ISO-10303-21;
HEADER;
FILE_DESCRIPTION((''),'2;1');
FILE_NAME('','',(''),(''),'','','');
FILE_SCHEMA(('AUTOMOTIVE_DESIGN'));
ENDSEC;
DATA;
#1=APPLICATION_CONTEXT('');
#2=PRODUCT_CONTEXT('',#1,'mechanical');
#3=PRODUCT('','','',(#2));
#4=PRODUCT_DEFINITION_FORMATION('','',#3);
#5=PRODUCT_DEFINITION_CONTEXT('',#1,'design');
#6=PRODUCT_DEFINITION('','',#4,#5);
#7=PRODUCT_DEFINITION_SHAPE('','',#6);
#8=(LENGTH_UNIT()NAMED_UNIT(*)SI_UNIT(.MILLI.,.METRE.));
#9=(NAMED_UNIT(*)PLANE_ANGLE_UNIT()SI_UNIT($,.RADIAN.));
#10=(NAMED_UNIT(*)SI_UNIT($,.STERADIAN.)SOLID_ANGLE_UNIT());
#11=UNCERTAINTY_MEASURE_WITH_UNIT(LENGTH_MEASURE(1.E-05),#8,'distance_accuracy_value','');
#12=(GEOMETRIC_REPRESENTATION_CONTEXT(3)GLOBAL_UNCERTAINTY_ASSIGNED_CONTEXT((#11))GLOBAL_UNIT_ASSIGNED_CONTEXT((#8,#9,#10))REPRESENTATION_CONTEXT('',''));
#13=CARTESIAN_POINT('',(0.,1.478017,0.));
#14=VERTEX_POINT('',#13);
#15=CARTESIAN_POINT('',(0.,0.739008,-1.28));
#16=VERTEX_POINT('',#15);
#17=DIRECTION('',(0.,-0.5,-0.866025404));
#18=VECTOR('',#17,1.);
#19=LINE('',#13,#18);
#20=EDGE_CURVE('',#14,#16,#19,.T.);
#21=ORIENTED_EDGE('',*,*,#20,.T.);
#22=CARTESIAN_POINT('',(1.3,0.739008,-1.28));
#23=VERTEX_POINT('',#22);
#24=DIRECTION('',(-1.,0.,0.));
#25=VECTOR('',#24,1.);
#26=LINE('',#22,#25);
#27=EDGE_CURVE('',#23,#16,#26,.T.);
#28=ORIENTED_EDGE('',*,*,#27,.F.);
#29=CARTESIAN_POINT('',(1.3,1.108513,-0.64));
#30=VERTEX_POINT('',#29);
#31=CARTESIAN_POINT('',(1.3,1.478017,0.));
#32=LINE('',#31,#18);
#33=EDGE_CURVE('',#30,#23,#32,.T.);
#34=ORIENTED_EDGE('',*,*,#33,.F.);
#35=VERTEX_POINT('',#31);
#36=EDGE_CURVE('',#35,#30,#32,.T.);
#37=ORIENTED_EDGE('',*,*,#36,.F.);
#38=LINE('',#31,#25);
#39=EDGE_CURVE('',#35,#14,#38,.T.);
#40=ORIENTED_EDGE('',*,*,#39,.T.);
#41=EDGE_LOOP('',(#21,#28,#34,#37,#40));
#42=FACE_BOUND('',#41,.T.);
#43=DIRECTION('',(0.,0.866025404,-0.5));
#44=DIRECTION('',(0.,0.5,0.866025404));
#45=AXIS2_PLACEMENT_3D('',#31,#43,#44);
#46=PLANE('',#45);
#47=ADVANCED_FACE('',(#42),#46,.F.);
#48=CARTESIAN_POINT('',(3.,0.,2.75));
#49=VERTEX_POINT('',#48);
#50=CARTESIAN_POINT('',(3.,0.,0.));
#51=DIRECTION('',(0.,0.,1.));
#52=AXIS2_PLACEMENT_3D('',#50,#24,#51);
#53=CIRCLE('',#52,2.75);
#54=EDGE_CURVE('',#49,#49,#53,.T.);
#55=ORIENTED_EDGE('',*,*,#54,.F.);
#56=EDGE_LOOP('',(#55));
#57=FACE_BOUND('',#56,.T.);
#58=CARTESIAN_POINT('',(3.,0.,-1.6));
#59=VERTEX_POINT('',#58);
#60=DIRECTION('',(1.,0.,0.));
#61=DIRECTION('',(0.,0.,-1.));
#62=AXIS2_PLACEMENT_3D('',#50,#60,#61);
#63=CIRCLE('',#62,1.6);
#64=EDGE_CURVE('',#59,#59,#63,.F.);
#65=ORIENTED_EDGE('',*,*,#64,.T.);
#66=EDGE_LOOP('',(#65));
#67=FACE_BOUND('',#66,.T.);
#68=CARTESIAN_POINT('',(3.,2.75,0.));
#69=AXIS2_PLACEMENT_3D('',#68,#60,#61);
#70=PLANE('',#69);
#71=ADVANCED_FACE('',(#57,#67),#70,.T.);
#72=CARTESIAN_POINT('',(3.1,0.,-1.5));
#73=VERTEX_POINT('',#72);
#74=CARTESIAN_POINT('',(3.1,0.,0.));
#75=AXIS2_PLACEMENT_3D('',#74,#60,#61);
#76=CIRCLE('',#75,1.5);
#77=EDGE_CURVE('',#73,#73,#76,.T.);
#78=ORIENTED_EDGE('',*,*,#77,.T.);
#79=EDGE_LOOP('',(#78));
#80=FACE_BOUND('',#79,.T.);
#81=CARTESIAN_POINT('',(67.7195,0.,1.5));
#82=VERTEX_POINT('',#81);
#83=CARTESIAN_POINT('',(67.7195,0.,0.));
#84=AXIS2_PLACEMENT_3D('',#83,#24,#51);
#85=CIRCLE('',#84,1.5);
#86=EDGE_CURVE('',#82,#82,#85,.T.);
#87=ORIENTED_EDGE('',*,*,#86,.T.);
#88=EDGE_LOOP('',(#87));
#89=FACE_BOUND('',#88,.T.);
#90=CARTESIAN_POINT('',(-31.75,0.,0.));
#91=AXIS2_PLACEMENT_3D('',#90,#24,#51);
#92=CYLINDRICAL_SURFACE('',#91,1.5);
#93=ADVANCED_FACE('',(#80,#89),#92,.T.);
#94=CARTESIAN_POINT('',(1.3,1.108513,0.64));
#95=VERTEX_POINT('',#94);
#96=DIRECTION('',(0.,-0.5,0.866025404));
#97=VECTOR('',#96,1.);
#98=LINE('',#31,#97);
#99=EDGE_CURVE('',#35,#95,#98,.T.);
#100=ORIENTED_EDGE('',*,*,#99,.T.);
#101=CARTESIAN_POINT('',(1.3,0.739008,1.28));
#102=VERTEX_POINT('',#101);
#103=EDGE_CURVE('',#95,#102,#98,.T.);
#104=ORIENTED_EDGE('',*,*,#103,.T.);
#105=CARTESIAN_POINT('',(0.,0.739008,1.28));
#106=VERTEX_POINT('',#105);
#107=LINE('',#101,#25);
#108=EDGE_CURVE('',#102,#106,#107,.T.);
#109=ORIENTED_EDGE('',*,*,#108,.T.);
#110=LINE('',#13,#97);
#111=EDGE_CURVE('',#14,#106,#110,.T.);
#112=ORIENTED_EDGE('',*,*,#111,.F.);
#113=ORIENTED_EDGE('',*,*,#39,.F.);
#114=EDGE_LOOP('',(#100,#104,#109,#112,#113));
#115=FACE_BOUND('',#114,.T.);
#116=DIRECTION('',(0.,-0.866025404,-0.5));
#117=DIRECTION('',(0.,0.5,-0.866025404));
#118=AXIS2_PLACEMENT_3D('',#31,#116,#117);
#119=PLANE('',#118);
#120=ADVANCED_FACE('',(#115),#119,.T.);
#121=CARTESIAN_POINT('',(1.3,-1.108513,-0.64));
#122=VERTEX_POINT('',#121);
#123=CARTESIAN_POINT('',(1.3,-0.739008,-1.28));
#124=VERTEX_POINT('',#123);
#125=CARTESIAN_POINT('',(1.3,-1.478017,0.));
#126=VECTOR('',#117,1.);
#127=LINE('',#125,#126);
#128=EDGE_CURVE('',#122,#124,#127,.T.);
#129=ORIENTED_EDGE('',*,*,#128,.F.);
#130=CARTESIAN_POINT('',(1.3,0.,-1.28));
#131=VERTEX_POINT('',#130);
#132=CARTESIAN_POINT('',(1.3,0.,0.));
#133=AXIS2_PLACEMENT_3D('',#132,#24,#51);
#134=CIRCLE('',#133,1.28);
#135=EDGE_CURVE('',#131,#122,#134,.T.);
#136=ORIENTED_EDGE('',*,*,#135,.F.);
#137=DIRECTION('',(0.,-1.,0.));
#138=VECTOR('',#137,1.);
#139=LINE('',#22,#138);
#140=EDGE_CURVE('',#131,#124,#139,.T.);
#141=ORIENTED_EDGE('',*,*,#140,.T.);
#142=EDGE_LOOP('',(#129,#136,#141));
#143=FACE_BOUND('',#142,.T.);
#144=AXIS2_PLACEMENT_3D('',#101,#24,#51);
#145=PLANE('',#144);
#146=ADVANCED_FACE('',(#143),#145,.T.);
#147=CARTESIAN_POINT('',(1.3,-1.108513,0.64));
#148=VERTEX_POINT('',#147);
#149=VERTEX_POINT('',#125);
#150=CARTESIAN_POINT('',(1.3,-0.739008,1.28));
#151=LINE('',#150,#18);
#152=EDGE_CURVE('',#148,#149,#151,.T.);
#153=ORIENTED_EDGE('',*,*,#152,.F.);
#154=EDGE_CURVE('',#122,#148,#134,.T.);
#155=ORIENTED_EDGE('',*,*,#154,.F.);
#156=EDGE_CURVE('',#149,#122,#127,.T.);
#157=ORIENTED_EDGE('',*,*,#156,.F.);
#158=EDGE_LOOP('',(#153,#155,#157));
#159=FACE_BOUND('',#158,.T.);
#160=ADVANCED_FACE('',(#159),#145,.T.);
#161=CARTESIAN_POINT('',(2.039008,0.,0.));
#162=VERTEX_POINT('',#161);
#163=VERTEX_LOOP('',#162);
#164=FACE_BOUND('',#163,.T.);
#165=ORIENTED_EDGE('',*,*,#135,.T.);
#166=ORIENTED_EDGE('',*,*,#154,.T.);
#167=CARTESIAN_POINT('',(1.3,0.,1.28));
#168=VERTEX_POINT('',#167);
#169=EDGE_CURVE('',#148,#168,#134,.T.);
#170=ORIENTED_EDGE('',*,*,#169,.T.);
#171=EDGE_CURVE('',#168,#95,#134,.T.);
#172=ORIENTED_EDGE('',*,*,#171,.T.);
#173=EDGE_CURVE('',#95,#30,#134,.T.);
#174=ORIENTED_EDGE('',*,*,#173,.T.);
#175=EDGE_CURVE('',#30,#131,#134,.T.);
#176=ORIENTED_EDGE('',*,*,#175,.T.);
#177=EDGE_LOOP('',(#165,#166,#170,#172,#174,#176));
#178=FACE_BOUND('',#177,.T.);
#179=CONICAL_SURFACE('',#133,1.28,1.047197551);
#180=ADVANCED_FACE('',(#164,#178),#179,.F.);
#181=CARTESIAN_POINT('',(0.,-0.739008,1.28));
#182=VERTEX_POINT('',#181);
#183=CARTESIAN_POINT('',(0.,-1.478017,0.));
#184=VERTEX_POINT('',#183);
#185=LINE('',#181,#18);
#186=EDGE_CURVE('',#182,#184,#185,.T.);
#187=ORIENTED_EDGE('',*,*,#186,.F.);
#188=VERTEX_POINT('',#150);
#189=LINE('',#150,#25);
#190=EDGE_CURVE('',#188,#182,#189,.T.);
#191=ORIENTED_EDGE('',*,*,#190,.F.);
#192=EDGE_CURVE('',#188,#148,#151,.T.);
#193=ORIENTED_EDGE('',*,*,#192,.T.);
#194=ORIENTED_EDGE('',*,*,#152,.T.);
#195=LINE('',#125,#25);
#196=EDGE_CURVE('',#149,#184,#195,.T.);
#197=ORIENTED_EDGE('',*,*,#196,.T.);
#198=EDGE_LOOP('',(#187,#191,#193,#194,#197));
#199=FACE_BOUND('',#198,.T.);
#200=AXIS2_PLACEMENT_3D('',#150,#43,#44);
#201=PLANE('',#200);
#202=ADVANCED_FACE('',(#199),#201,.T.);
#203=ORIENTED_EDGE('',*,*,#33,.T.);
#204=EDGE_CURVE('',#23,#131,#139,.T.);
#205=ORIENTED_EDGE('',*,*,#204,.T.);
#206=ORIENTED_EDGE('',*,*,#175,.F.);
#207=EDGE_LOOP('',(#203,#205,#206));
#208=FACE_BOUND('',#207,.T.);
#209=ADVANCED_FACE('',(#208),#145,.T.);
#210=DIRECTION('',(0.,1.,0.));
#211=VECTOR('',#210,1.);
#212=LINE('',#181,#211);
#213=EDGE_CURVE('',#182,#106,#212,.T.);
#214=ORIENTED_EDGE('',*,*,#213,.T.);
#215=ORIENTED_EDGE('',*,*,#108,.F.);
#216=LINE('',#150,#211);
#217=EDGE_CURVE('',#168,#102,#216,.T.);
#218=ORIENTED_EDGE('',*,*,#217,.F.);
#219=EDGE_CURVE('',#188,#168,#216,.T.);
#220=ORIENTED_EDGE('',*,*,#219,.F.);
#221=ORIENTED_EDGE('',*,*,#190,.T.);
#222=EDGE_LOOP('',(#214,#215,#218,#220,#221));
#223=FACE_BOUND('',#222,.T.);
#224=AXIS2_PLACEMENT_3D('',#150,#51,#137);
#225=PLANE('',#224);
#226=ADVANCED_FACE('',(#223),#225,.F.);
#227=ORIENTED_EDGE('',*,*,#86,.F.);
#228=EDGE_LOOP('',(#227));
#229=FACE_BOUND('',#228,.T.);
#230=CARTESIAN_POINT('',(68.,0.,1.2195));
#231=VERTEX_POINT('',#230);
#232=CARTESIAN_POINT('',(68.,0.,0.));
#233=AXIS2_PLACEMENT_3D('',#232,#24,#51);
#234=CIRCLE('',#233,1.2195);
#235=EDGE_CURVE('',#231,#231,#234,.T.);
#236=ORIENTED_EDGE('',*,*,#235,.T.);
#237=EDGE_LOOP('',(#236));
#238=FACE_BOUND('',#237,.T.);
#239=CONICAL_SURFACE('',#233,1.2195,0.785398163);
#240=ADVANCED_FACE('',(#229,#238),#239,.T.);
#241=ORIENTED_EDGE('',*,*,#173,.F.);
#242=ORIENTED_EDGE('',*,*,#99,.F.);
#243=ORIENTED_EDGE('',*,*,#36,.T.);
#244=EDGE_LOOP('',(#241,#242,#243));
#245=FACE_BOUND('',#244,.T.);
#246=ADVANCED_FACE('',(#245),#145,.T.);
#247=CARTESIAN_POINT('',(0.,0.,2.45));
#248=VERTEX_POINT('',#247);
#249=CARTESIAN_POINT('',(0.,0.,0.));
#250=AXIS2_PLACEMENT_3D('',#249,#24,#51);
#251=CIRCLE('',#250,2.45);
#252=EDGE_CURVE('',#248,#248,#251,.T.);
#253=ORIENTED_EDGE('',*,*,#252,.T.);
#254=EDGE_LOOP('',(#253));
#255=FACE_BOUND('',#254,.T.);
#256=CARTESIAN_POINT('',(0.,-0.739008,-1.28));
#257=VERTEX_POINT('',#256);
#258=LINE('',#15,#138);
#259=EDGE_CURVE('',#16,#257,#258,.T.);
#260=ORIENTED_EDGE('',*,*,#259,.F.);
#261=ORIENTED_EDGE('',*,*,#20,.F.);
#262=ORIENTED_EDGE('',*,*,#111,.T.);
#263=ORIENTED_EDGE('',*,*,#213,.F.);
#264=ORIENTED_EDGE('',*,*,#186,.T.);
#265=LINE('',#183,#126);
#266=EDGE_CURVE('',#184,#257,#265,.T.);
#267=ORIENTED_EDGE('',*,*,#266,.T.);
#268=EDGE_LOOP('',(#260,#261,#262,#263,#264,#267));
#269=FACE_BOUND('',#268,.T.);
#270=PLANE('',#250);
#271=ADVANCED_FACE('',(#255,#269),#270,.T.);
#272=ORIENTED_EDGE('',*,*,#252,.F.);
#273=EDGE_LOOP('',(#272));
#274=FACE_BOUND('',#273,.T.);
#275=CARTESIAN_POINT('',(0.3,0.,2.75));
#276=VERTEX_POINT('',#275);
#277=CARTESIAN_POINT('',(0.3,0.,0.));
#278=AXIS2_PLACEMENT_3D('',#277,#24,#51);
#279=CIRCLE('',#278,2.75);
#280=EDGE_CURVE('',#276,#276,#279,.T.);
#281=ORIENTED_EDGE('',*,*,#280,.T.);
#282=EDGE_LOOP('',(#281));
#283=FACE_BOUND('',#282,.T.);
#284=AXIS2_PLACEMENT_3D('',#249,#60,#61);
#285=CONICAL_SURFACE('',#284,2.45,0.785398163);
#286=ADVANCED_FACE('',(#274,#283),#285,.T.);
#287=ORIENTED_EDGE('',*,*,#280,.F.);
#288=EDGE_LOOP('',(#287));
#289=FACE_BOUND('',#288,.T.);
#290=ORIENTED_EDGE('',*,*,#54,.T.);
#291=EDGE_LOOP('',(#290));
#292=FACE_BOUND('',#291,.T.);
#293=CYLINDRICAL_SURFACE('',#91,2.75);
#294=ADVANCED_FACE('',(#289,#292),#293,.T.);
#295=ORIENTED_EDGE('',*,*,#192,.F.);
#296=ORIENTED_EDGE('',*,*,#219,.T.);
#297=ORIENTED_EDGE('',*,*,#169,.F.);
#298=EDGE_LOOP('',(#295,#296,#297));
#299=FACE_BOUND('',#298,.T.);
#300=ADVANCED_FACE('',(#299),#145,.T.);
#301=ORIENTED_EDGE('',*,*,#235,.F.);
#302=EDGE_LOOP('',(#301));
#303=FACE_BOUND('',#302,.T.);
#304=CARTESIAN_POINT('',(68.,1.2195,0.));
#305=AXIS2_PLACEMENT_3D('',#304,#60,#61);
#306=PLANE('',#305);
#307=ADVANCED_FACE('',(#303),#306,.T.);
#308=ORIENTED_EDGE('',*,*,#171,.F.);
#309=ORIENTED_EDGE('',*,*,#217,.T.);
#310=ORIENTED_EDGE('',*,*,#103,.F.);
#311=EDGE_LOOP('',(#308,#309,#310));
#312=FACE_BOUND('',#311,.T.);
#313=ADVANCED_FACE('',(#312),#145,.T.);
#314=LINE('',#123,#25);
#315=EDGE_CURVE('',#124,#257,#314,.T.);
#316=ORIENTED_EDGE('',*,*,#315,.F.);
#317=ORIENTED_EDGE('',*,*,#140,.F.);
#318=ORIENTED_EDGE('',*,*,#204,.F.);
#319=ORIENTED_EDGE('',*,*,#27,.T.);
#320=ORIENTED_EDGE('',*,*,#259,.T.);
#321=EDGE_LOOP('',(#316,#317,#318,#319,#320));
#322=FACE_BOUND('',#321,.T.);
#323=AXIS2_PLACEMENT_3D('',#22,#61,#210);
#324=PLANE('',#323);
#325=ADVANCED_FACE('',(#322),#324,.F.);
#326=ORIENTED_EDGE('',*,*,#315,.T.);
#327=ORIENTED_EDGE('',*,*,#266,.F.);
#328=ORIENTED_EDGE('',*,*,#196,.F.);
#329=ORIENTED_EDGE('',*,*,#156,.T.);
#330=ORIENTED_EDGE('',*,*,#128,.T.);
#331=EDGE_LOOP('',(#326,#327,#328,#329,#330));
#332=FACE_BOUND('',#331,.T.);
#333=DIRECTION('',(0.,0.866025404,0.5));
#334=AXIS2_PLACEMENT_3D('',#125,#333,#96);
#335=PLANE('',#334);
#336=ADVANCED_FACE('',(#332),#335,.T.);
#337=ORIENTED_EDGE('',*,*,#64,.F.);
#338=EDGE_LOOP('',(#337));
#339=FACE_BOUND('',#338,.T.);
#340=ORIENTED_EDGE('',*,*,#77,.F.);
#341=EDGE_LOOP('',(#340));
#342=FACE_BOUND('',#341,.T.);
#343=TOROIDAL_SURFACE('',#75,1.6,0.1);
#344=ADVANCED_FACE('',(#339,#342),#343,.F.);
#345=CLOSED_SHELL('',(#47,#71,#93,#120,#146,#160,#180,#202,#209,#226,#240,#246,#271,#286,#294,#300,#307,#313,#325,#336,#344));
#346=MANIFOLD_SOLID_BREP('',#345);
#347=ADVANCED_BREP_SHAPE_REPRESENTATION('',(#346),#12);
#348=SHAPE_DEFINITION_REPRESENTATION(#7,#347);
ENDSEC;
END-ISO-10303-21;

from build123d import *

# Parameters (mm, degrees)
FILLET1_R   = 0.1
HEX_2_DEPTH = 1.3


with BuildPart() as part:
    # BodySke → Base-Revolve (revolve)
    with BuildSketch(Plane.XY, mode=Mode.PRIVATE) as base_revolve_sk:
        Polygon((0, 0), (0, 2.45), (0.3, 2.75), (3, 2.75), (3, 1.5), (67.7195, 1.5), (68, 1.2195), (68, 0), align=None)
    revolve(base_revolve_sk.sketch.rotate(Axis((-31.75, 0, 0), (1, 0, 0)), 90), axis=Axis((-31.75, 0, 0), (1, 0, 0)))

    # Fillet1
    fillet1_edges = [part.edges().sort_by_distance(p)[0] for p in [
        (3, 0, -1.5),
    ]]
    fillet(fillet1_edges, radius=FILLET1_R)

    # Sketch2 → Hex-PreBroach (revolve, cut)
    with BuildSketch(Plane.XY, mode=Mode.PRIVATE) as hex_prebroach_sk:
        Polygon((0, 1.28), (1.3, 1.28), (2.039008345, 0), (0, 0), align=None)
    revolve(hex_prebroach_sk.sketch.rotate(Axis((0, 0, 0), (1, 0, 0)), 90), axis=Axis((0, 0, 0), (1, 0, 0)), mode=Mode.SUBTRACT)

    # Sketch3 → Hex 2 (cut)
    with BuildSketch(Plane(origin=(0, 0, 0), x_dir=(0, 0.500000000000001, 0.866025403784438), z_dir=(-1, 0, 0))):
        Polygon((0.739008345, 1.28), (-0.739008345, 1.28), (-1.478016689, 0), (-0.739008345, -1.28), (0.739008345, -1.28), (1.478016689, 0), align=None)
    extrude(amount=-HEX_2_DEPTH, mode=Mode.SUBTRACT)


solid = part.part
